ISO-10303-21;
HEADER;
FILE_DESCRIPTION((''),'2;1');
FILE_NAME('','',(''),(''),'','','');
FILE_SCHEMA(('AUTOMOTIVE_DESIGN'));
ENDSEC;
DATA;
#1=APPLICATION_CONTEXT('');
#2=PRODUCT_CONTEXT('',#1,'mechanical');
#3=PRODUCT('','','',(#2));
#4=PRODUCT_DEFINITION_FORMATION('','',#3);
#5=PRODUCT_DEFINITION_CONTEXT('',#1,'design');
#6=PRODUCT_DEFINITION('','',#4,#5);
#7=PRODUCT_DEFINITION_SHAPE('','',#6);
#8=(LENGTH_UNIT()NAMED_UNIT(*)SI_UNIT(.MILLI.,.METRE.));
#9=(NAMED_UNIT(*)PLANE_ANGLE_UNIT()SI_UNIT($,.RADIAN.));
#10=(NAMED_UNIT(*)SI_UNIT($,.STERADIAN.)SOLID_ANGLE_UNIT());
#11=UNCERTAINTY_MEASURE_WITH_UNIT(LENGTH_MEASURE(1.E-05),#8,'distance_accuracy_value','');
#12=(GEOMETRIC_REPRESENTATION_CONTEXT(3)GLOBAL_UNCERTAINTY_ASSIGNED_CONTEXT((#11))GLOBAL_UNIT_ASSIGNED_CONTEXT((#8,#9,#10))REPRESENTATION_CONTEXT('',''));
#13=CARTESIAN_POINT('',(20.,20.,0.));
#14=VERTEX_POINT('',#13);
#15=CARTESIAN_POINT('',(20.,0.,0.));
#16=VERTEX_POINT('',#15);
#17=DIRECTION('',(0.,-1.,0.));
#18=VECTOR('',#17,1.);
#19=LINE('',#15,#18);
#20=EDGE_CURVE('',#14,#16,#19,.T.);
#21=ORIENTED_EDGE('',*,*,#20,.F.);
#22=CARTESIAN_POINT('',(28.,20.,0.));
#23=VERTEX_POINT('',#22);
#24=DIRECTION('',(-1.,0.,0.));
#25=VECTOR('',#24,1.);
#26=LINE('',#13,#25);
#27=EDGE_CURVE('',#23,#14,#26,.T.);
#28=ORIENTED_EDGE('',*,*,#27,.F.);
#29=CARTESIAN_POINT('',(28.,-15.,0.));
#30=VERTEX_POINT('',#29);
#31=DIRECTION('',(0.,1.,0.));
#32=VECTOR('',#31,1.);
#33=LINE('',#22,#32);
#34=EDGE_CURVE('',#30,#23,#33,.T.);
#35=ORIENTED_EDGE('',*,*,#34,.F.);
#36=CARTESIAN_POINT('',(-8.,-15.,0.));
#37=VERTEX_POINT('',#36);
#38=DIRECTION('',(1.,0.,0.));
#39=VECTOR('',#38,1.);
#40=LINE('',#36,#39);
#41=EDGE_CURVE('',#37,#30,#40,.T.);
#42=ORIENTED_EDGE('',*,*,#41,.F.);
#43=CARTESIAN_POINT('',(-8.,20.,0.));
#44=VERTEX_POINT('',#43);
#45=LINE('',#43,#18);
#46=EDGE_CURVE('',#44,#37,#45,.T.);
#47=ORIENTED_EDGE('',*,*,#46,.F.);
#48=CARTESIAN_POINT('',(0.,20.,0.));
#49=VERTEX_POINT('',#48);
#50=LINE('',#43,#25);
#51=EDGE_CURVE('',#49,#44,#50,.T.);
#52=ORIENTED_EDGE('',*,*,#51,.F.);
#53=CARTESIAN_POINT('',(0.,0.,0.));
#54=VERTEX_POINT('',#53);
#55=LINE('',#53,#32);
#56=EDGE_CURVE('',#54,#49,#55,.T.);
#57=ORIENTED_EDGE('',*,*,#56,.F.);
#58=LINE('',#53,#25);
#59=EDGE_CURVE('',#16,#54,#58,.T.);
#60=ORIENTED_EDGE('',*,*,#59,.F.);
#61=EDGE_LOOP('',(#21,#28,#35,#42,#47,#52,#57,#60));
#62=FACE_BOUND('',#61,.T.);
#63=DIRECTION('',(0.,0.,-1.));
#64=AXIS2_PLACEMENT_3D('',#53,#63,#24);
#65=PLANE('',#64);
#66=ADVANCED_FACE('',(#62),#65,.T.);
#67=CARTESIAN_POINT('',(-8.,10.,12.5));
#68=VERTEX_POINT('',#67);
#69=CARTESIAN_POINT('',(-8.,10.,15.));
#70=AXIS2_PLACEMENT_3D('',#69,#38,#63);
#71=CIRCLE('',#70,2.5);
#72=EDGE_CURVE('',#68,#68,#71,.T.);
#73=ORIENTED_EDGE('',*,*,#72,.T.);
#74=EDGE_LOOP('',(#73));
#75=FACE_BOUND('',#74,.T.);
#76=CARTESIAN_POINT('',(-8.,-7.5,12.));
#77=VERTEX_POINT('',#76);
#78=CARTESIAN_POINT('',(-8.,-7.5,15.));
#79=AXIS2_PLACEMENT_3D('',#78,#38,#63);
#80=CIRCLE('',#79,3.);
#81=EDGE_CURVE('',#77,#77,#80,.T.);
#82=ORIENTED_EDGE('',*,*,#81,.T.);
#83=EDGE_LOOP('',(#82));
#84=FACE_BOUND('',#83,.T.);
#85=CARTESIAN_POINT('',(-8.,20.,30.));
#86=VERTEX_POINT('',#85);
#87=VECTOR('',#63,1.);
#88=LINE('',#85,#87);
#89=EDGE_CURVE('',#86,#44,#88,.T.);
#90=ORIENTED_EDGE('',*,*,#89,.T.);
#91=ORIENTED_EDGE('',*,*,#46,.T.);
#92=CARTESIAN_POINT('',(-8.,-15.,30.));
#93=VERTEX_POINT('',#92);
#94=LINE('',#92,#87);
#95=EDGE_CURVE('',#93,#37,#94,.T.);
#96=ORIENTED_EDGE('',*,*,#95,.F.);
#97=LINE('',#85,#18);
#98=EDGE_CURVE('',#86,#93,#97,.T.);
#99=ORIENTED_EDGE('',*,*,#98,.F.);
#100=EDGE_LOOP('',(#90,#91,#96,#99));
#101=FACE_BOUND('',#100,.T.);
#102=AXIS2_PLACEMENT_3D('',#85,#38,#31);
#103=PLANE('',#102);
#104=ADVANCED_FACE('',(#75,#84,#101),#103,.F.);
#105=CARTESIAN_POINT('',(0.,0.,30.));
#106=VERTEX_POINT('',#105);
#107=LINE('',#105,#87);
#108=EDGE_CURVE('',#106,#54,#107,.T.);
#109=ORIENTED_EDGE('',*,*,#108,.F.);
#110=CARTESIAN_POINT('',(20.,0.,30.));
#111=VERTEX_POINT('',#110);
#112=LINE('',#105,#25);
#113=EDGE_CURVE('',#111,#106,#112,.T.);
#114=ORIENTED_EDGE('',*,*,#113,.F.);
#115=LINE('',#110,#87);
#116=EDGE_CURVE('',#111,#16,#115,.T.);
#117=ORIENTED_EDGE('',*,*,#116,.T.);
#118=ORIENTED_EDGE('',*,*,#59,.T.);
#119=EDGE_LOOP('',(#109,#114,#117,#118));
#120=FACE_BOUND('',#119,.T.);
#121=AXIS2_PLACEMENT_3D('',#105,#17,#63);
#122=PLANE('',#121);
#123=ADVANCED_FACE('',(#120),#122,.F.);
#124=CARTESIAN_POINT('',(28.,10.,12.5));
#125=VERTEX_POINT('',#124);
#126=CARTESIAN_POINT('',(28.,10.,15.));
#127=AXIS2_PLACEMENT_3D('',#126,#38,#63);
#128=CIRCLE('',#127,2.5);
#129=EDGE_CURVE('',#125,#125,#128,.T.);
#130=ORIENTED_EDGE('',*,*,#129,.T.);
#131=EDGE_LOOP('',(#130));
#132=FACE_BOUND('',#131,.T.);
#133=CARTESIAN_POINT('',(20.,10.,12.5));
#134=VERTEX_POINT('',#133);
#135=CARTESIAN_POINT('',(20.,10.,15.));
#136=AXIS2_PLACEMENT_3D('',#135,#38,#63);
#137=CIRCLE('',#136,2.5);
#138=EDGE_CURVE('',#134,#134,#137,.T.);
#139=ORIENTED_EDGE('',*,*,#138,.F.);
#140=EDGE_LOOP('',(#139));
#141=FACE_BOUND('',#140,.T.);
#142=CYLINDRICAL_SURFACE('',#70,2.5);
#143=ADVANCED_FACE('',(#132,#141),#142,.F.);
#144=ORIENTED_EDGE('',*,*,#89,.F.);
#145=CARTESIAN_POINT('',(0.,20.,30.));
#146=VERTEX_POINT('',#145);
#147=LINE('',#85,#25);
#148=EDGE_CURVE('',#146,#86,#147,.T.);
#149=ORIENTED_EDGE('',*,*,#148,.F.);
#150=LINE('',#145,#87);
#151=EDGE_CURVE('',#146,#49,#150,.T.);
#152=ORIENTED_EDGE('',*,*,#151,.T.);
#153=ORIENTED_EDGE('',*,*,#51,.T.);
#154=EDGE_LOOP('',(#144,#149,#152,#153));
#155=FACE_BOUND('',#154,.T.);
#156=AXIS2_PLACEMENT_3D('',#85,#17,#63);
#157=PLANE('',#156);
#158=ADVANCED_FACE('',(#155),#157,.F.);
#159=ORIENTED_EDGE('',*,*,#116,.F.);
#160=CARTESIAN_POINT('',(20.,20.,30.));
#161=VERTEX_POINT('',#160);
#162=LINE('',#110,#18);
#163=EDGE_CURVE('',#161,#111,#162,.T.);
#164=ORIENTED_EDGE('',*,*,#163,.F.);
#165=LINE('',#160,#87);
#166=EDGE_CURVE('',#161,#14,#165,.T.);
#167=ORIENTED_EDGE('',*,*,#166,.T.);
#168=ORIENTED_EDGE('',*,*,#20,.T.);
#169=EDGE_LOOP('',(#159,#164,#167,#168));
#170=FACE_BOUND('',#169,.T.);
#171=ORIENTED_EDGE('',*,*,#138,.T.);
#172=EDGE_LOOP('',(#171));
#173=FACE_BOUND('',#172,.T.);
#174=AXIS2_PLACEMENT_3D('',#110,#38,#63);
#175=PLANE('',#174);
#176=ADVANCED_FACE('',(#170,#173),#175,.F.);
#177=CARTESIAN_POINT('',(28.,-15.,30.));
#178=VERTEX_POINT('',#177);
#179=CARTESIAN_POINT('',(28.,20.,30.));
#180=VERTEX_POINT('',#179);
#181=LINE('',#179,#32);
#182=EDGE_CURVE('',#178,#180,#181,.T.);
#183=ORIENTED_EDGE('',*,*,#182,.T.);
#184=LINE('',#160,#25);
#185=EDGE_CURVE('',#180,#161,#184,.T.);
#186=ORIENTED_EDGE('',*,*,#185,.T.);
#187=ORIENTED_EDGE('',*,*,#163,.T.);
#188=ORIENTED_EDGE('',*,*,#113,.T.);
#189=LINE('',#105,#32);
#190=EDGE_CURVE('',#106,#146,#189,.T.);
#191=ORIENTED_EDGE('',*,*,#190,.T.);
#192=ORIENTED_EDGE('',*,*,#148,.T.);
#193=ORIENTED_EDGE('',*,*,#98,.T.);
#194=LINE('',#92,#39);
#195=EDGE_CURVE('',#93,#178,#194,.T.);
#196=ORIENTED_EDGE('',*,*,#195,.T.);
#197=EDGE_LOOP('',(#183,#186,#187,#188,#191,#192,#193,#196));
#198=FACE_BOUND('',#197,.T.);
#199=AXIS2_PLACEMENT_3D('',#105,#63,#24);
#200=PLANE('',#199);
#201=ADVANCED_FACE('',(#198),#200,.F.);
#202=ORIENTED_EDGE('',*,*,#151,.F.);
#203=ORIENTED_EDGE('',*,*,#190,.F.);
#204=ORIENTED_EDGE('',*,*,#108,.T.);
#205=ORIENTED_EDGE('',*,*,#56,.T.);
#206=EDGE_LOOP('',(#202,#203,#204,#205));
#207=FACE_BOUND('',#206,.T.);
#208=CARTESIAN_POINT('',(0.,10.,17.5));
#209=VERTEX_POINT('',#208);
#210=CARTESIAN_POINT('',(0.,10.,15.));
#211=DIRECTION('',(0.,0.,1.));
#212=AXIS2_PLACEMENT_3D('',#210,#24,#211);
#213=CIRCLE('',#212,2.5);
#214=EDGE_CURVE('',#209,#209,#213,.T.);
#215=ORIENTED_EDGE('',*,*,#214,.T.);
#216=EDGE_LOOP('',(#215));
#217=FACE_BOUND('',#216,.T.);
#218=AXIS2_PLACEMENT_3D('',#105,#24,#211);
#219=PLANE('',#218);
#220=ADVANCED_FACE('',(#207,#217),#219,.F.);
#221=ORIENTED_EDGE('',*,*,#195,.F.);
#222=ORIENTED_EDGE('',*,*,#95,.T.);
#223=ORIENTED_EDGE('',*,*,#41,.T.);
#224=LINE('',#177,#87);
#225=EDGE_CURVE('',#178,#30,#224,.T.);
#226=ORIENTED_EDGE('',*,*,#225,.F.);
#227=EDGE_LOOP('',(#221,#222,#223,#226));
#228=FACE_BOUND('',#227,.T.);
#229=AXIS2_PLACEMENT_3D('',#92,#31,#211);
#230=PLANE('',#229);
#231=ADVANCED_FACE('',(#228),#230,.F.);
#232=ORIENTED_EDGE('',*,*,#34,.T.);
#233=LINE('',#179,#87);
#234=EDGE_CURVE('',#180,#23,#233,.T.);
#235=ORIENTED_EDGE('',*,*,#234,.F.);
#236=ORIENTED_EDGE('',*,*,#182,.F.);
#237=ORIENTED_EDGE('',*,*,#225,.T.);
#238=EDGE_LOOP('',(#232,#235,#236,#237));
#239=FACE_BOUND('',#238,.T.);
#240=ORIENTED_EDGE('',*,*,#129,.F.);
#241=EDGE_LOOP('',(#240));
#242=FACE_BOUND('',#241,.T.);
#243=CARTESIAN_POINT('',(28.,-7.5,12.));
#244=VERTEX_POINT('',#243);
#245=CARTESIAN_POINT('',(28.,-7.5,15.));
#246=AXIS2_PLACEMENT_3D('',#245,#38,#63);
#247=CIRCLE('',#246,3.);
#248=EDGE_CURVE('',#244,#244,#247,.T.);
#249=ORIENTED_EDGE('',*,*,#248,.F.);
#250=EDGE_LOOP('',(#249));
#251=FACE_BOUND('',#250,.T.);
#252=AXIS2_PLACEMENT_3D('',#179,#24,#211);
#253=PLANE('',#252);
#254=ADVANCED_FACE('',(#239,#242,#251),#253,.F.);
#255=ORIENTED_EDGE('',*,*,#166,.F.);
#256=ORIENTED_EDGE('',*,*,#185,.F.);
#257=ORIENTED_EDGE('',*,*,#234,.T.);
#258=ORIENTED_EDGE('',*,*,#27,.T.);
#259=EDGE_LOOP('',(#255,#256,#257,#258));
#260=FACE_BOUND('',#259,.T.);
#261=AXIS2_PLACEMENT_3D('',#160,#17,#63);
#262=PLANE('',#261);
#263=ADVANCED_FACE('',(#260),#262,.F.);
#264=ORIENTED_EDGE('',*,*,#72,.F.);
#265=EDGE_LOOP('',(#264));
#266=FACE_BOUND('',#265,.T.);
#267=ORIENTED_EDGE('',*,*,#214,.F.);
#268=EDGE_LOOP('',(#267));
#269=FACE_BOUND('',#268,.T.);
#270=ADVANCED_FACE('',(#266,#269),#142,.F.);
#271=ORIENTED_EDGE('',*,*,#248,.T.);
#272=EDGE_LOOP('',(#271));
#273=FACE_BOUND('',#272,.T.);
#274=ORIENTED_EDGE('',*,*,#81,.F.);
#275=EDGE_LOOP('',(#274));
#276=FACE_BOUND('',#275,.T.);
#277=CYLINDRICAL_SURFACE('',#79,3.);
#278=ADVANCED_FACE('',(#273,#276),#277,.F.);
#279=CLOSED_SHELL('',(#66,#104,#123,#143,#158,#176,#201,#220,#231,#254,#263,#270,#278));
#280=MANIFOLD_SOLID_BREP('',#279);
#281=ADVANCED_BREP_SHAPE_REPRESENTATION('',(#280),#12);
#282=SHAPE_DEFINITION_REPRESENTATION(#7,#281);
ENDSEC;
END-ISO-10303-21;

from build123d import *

# Parameters (mm, degrees)
DODANIE_WYCI_GNI_CIE1_DEPTH = 30
SZKIC2_R                    = 3
SZKIC2_R_2                  = 2.5
WYTNIJ_WYCI_GNI_CIE1_DEPTH  = 51.950956811


with BuildPart() as part:
    # Szkic1 → Dodanie-wyciągnięcie1 (new body)
    with BuildSketch(Plane.XY):
        Polygon((-8, 20), (-8, -15), (28, -15), (28, 20), (20, 20), (20, 0), (0, 0), (0, 20), align=None)
    extrude(amount=DODANIE_WYCI_GNI_CIE1_DEPTH)

    # Szkic2 → Wytnij-wyciągnięcie1 (cut, through all)
    with BuildSketch(Plane(origin=(28, 0, 0), x_dir=(0, 0, -1), z_dir=(1, 0, 0))):
        with Locations((-15, -7.5)):
            Circle(SZKIC2_R)
        with Locations((-15, 10)):
            Circle(SZKIC2_R_2)
    extrude(amount=-WYTNIJ_WYCI_GNI_CIE1_DEPTH, mode=Mode.SUBTRACT)


solid = part.part
